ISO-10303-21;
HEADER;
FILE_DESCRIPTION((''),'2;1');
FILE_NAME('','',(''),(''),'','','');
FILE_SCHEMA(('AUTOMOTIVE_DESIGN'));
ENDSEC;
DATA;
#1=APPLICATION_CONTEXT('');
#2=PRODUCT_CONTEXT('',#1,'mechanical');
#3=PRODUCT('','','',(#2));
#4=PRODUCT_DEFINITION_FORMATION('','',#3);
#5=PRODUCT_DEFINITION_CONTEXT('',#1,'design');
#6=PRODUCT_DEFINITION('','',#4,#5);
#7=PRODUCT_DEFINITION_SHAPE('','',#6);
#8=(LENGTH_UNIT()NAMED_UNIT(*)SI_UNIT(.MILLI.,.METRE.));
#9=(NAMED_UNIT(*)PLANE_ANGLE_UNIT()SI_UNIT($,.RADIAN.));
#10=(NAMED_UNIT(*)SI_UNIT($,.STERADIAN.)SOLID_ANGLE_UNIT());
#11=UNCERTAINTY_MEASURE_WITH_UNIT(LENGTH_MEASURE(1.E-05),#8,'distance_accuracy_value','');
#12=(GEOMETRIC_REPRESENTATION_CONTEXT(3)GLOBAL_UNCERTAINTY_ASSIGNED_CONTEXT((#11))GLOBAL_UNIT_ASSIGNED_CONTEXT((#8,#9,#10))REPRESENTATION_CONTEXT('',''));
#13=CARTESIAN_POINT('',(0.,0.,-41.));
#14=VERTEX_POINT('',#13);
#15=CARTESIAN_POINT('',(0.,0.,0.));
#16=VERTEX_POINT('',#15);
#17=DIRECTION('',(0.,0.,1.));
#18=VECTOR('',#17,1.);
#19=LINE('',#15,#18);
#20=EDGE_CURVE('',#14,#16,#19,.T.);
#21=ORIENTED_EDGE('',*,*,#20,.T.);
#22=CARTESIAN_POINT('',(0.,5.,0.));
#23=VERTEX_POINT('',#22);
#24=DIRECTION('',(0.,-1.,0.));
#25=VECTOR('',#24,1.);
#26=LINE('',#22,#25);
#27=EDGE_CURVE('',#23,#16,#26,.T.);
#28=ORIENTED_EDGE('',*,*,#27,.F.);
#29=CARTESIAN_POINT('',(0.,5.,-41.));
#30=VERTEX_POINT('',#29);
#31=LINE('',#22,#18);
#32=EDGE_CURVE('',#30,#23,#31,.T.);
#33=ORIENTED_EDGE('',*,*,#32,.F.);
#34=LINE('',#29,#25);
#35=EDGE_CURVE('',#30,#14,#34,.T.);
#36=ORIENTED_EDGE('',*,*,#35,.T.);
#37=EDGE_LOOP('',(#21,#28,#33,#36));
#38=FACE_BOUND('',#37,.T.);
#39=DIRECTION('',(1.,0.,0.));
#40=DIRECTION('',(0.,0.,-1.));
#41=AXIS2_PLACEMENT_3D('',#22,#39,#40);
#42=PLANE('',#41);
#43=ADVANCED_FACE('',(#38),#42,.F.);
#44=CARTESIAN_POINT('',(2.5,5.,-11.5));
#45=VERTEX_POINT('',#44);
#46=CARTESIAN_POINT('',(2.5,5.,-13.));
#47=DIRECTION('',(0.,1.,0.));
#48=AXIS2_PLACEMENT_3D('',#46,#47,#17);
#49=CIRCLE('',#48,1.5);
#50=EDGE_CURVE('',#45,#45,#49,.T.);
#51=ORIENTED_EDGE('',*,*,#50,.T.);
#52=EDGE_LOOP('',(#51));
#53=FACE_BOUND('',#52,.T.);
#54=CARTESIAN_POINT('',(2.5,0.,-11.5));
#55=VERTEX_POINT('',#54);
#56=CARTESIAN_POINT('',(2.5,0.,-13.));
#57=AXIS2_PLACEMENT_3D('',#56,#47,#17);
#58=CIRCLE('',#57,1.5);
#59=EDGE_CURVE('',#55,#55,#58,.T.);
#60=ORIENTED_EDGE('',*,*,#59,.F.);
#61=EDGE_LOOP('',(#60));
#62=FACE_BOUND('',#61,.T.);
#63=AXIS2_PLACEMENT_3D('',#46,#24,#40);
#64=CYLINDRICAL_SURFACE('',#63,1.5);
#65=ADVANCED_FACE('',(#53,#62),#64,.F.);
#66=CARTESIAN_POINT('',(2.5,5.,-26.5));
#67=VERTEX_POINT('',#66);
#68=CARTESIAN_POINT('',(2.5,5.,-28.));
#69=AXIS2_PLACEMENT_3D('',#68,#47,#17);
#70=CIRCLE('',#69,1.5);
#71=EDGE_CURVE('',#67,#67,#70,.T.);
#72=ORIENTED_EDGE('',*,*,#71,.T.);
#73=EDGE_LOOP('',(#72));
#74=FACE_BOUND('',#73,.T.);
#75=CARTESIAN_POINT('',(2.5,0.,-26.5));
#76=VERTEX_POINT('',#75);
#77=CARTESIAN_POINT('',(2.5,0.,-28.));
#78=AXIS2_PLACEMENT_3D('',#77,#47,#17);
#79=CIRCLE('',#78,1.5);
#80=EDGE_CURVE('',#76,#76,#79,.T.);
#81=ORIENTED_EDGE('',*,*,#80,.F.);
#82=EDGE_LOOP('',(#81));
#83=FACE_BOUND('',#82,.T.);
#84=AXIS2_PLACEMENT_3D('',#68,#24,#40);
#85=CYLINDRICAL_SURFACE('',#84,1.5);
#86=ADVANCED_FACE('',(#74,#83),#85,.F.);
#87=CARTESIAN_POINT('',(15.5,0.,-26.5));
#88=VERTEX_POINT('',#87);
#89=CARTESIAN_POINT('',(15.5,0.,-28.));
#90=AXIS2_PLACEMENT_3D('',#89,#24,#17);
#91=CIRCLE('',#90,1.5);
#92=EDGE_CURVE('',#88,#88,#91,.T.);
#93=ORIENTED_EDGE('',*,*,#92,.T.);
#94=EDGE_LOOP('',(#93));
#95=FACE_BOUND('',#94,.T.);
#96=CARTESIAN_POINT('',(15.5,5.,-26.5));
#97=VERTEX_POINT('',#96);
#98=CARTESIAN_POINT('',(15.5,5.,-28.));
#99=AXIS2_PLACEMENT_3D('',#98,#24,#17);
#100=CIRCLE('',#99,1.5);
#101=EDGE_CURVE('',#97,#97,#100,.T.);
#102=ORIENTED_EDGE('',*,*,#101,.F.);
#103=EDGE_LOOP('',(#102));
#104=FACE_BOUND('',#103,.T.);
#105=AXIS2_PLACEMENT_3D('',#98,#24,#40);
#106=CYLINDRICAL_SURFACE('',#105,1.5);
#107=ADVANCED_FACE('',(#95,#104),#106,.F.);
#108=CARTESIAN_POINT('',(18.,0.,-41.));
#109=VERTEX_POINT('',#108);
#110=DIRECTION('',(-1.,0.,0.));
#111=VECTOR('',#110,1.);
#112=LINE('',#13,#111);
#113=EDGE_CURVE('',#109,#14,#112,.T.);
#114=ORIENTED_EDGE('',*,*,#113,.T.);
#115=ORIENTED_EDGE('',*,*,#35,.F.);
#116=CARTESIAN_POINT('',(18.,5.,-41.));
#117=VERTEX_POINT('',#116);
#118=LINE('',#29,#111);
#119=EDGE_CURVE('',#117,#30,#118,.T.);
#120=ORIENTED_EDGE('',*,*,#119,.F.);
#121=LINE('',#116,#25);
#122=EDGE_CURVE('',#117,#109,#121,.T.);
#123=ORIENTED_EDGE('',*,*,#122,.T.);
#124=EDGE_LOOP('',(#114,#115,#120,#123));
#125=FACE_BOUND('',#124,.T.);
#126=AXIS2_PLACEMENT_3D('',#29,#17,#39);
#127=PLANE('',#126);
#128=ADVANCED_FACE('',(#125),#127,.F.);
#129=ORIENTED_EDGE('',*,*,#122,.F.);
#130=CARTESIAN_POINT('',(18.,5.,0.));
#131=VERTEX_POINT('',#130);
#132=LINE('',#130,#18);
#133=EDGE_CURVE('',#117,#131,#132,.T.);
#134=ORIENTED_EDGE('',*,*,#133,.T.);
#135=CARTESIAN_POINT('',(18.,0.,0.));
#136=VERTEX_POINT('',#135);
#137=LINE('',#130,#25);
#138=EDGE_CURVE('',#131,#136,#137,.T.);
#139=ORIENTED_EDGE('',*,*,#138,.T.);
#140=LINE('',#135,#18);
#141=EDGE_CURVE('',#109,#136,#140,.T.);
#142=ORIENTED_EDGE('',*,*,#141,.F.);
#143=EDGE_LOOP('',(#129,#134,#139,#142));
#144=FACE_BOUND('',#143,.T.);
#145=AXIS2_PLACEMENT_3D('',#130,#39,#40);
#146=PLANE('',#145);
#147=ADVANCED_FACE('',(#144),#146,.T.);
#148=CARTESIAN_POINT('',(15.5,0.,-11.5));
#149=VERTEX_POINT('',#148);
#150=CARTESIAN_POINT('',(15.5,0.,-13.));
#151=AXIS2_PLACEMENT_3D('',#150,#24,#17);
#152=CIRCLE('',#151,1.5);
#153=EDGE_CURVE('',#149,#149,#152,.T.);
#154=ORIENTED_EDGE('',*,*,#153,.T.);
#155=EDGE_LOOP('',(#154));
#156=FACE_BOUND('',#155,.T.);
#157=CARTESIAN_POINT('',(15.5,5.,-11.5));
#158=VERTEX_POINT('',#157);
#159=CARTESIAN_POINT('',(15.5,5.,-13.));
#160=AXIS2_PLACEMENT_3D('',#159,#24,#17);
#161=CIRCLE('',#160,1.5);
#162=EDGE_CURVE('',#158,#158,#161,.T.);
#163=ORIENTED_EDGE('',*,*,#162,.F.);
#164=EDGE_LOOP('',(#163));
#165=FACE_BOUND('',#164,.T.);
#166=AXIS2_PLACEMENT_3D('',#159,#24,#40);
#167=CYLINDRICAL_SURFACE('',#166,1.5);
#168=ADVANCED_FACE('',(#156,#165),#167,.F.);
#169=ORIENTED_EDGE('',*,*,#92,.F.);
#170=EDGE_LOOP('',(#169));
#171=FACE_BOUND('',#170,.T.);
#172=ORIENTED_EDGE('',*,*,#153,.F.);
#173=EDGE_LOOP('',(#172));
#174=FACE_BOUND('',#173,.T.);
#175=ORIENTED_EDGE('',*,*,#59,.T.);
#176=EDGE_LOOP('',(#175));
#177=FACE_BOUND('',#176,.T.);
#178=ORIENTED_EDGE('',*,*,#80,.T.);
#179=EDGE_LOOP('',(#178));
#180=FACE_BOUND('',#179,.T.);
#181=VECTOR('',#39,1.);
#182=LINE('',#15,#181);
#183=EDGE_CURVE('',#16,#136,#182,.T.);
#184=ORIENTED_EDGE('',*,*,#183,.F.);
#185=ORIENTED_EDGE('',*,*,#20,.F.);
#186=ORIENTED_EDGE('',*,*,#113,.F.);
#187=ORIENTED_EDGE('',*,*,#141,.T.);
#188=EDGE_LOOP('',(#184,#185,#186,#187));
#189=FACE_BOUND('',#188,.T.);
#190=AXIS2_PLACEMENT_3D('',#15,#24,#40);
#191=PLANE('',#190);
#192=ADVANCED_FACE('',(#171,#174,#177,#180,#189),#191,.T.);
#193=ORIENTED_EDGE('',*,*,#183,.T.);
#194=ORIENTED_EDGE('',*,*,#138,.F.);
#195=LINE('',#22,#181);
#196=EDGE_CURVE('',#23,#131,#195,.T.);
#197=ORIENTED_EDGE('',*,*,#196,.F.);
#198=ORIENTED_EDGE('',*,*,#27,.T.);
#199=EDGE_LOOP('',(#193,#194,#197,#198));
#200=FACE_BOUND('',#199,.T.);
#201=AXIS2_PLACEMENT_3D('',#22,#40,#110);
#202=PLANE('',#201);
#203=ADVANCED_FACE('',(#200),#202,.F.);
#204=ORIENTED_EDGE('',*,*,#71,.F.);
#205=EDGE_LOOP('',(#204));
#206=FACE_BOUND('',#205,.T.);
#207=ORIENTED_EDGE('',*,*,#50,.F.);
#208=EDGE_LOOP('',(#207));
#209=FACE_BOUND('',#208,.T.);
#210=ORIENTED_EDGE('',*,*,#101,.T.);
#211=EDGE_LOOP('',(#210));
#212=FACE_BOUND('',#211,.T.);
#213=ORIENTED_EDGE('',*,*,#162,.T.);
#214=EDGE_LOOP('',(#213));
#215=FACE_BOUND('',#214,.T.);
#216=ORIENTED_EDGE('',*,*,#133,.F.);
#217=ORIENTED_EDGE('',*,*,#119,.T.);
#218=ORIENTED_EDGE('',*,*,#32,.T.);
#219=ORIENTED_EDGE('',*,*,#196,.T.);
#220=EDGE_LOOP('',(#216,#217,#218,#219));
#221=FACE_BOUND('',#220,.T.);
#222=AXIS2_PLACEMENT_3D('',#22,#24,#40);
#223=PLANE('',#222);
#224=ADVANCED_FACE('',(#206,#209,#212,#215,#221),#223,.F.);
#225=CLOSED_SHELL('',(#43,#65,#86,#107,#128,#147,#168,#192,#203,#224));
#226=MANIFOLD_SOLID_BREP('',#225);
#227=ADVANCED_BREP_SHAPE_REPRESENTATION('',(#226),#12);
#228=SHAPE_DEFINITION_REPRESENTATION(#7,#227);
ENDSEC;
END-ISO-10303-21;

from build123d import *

# Parameters (mm, degrees)
SKETCH1_W           = 9
SKETCH1_H           = 41
SKETCH1_R           = 1.5
BOSS_EXTRUDE1_DEPTH = 5


with BuildPart() as part:
    # Sketch1 → Boss-Extrude1 (new body)
    with BuildSketch(Plane(origin=(0, 0, 0), x_dir=(1, 0, 0), z_dir=(0, 1, 0))):
        with Locations((4.5, 20.5)):
            Rectangle(SKETCH1_W, SKETCH1_H)
        with Locations(Location((2.5, 13, 0), (0, 0, 270))):
            Circle(SKETCH1_R, mode=Mode.SUBTRACT)
        with Locations(Location((2.5, 28, 0), (0, 0, 270))):
            Circle(SKETCH1_R, mode=Mode.SUBTRACT)
    boss_extrude1 = extrude(amount=BOSS_EXTRUDE1_DEPTH)

    # Mirror1: Boss-Extrude1 across plane
    add(boss_extrude1.mirror(Plane(origin=(9, 5, 0), x_dir=(0, 0, 1), z_dir=(-1, 0, 0))))


solid = part.part
